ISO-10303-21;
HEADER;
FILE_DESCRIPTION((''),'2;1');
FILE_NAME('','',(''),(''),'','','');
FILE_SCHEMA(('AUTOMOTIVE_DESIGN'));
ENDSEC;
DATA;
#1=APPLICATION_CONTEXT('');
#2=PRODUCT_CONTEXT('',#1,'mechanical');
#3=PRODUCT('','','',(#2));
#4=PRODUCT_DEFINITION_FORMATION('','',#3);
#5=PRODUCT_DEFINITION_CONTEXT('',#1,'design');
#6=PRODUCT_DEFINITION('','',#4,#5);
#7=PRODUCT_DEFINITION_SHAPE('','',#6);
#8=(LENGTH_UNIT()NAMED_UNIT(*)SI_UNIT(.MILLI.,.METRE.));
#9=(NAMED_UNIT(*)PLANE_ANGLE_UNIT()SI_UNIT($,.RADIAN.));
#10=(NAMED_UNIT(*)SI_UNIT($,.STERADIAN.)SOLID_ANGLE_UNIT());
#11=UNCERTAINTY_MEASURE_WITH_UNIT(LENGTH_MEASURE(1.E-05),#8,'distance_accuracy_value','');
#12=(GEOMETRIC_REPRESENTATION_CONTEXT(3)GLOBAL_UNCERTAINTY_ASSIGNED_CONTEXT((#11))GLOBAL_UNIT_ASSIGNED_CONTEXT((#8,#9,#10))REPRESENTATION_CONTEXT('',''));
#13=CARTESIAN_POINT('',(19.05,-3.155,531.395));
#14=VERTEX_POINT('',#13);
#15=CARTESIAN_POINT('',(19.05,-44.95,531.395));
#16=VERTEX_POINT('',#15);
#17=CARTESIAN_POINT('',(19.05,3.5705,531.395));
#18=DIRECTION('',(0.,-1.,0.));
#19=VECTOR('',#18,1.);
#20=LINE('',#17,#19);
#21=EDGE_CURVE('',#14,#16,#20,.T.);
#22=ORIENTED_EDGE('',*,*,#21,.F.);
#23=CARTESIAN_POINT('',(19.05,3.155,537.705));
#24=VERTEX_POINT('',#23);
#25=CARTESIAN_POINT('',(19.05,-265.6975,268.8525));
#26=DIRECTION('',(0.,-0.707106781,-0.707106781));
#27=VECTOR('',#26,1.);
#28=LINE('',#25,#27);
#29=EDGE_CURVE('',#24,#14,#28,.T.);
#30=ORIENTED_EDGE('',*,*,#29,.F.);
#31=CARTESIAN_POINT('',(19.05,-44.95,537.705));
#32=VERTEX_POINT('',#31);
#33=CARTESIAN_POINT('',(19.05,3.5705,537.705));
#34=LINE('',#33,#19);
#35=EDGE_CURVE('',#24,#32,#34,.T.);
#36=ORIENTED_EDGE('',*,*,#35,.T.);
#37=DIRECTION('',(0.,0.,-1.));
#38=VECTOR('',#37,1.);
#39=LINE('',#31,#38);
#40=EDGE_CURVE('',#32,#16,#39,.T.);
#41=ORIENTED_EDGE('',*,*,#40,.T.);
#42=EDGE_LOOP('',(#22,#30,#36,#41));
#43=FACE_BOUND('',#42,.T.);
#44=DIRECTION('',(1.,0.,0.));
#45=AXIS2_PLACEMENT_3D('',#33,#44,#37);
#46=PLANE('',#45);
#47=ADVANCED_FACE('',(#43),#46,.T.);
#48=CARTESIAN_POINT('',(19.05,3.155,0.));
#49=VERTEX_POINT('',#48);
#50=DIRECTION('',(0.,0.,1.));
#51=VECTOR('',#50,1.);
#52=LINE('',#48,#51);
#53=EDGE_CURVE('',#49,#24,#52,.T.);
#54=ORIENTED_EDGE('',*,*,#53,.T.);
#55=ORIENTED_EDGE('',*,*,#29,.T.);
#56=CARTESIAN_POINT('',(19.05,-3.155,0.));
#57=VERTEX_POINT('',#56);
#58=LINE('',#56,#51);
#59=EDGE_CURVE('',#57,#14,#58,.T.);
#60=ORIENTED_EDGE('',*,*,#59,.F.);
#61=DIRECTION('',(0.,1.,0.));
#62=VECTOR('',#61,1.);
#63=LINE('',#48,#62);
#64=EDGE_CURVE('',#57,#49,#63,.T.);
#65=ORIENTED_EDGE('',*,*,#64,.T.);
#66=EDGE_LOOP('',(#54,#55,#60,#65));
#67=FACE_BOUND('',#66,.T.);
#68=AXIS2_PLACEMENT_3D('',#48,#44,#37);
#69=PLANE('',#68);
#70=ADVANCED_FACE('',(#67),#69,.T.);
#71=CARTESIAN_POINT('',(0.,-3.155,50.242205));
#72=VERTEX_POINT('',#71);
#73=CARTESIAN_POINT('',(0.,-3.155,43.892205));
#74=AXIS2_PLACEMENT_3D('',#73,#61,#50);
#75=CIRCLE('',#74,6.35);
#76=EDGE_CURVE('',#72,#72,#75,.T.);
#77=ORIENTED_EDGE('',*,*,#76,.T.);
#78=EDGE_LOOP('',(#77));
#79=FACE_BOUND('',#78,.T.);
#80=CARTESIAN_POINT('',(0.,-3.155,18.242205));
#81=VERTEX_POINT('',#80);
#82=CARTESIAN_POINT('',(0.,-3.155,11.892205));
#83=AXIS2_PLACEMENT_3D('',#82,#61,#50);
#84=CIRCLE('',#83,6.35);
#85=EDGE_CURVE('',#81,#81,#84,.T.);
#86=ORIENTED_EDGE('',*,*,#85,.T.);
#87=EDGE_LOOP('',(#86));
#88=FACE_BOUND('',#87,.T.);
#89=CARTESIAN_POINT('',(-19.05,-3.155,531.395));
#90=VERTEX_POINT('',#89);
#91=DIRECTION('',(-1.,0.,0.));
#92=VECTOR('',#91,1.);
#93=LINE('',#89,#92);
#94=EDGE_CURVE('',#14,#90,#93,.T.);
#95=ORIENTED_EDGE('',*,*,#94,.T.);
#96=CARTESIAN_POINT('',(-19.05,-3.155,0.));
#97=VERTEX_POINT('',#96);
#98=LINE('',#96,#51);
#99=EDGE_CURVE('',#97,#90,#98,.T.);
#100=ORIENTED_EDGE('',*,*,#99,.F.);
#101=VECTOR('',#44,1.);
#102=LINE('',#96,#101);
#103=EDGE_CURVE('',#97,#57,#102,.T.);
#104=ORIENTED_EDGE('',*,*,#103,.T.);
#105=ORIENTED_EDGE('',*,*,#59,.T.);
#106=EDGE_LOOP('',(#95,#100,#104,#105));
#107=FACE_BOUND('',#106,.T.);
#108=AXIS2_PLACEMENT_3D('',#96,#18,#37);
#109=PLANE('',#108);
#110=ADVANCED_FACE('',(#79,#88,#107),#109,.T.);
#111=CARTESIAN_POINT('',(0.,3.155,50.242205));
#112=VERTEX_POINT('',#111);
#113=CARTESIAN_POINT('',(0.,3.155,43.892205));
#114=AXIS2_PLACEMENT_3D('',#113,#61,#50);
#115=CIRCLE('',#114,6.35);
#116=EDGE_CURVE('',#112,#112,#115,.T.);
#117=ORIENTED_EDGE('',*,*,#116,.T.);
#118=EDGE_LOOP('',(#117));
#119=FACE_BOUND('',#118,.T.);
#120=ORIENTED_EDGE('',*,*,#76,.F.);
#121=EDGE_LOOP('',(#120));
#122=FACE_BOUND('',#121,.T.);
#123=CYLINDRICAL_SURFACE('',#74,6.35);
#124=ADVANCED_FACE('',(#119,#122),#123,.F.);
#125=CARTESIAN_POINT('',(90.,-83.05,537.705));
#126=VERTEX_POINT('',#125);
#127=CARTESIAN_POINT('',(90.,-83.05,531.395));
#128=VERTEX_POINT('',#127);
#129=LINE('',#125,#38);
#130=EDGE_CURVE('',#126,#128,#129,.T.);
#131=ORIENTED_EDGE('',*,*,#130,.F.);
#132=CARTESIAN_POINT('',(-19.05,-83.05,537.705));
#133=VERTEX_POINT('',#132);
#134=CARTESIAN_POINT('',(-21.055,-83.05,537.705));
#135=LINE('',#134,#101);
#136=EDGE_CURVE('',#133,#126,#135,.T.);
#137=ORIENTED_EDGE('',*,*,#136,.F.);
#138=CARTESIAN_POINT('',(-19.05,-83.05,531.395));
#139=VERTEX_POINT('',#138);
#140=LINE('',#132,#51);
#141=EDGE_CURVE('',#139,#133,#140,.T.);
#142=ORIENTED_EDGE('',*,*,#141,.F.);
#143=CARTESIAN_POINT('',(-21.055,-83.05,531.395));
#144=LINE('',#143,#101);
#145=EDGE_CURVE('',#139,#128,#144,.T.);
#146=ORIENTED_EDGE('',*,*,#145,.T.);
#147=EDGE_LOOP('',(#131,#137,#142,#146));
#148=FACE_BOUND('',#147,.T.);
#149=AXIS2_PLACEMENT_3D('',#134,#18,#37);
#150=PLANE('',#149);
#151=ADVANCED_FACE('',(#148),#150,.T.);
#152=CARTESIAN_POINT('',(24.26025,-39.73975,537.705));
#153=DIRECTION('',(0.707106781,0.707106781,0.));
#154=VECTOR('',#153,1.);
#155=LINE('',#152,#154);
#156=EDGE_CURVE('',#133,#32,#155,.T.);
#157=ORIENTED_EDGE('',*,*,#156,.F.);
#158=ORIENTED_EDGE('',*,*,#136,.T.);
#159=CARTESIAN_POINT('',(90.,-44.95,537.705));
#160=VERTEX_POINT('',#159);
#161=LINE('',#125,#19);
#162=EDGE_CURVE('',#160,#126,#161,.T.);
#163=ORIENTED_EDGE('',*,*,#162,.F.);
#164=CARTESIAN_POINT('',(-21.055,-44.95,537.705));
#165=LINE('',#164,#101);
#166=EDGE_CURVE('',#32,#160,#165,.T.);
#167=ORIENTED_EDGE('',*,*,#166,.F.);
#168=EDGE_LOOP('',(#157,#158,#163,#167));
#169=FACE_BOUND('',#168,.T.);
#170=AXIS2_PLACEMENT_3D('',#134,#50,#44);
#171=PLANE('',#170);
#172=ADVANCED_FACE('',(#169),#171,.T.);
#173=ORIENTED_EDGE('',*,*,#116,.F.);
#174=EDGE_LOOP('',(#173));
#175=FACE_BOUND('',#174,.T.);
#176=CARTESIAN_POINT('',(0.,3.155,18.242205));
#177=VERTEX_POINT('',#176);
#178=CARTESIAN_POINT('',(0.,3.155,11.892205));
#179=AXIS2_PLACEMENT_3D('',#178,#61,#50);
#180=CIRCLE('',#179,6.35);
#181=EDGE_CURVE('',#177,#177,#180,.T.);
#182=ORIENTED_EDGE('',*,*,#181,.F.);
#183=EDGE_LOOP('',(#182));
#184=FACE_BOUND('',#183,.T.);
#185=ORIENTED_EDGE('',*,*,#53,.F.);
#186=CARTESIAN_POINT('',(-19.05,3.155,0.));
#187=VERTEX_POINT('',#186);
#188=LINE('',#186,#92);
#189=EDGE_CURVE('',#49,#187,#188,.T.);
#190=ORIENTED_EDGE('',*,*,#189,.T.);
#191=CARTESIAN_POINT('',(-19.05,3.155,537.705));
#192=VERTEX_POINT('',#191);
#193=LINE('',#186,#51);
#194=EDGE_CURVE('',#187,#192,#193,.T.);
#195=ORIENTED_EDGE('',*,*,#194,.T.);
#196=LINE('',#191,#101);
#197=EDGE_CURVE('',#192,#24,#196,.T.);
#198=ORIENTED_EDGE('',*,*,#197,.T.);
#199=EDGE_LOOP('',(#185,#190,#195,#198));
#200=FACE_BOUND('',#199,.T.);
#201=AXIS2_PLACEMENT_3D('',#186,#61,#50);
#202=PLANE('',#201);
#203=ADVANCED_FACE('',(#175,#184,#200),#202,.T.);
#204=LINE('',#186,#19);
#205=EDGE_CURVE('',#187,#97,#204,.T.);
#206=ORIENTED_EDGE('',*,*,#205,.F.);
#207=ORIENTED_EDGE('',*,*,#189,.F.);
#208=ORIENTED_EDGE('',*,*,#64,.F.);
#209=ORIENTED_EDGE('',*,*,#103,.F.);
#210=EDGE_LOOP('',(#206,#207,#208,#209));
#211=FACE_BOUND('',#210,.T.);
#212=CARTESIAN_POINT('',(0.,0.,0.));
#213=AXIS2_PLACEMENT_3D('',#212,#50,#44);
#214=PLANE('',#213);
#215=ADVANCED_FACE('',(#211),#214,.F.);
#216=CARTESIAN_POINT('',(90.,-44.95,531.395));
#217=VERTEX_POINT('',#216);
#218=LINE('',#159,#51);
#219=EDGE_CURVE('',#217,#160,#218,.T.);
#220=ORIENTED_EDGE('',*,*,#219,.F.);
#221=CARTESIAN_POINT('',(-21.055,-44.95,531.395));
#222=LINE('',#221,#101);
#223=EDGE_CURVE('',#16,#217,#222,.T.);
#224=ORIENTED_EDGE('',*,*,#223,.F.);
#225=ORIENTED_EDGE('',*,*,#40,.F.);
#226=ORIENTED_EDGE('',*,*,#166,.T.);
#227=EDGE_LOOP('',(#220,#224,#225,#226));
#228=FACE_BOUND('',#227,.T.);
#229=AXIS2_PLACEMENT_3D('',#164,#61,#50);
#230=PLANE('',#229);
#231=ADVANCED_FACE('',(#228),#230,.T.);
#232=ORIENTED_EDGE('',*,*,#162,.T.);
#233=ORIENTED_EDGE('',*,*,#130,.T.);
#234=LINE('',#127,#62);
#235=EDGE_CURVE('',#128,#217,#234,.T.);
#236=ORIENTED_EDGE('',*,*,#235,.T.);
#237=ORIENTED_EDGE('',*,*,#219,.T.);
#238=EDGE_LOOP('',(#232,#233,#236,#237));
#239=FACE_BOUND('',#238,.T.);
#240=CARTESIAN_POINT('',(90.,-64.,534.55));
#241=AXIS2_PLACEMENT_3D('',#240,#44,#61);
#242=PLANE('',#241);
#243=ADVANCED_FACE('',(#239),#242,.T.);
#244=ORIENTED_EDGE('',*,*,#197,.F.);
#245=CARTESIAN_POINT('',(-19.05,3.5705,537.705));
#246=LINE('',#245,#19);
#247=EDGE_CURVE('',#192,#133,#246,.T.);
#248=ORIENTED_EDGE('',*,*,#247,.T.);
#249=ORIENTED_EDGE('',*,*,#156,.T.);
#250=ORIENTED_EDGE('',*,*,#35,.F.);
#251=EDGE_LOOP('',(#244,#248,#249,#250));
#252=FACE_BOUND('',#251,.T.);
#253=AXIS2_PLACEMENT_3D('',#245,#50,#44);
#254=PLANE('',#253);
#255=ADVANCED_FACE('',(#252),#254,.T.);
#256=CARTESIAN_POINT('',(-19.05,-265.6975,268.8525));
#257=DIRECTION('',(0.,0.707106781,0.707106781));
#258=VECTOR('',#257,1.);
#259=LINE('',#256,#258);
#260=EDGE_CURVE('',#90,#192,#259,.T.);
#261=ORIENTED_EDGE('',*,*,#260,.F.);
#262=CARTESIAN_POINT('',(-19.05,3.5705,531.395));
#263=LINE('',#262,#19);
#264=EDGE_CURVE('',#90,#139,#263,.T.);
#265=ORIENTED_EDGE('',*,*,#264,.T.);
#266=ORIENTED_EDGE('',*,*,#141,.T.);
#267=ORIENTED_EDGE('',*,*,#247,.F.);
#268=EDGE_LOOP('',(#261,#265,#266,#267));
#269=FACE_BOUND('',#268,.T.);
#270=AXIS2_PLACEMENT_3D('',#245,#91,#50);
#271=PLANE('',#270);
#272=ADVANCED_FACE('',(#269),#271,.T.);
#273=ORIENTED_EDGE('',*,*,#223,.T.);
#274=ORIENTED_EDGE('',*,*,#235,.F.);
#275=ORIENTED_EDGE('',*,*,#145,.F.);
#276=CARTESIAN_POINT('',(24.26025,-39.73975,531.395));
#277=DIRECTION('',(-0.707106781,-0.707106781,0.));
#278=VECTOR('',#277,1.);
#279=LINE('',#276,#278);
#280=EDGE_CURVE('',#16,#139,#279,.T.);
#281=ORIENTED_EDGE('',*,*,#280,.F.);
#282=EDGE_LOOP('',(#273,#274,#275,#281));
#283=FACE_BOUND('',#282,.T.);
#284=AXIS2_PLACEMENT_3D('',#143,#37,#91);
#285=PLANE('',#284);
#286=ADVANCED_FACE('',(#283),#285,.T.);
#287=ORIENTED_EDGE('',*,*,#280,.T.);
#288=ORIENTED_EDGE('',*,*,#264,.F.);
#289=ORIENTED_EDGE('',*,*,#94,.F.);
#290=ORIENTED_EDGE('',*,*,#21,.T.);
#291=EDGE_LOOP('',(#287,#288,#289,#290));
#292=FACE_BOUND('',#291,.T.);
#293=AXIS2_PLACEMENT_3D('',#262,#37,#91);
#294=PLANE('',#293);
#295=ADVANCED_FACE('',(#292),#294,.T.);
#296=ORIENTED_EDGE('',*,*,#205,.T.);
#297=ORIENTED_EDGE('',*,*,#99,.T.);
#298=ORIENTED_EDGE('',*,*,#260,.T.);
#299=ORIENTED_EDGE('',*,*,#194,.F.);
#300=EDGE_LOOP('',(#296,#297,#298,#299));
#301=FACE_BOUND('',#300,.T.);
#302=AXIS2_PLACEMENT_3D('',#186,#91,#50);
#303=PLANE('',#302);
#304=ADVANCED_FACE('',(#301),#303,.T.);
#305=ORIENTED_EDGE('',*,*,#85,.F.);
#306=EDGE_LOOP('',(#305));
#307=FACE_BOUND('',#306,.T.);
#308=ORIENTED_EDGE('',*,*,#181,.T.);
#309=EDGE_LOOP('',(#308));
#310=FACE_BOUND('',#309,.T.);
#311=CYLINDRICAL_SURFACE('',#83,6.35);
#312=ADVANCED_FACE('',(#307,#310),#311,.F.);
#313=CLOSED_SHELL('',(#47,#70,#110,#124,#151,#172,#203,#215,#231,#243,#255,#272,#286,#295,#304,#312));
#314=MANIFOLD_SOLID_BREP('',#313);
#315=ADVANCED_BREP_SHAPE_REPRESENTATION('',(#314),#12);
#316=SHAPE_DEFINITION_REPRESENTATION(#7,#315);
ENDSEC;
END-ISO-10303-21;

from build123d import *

# Parameters (mm, degrees)
CROQUIS1_W            = 38.1
CROQUIS1_H            = 6.31
CROQUIS2_R            = 6.35
CORTAR_EXTRUIR1_DEPTH = 6.31


with BuildPart() as part:
    # Barrer1: sweep along a curve in space
    with BuildLine() as barrer1_path:
        Line((0, 0, 0), (0, 0, 534.55))
        Line((0, 0, 534.55), (0, -64, 534.55))
        Line((0, -64, 534.55), (90, -64, 534.55))
    # Croquis1 → Barrer1 (sweep)
    with BuildSketch(Plane.XY):
        Rectangle(CROQUIS1_W, CROQUIS1_H)
    sweep(path=barrer1_path.line, transition=Transition.RIGHT)

    # Croquis2 → Cortar-Extruir1 (cut)
    with BuildSketch(Plane(origin=(0, 3.155, 0), x_dir=(1, 0, 0), z_dir=(0, 1, 0))):
        with Locations(Location((0, -43.892204666, 0), (0, 0, 270))):
            Circle(CROQUIS2_R)
        with Locations(Location((0, -11.892204666, 0), (0, 0, 270))):
            Circle(CROQUIS2_R)
    extrude(amount=-CORTAR_EXTRUIR1_DEPTH, mode=Mode.SUBTRACT)


solid = part.part
